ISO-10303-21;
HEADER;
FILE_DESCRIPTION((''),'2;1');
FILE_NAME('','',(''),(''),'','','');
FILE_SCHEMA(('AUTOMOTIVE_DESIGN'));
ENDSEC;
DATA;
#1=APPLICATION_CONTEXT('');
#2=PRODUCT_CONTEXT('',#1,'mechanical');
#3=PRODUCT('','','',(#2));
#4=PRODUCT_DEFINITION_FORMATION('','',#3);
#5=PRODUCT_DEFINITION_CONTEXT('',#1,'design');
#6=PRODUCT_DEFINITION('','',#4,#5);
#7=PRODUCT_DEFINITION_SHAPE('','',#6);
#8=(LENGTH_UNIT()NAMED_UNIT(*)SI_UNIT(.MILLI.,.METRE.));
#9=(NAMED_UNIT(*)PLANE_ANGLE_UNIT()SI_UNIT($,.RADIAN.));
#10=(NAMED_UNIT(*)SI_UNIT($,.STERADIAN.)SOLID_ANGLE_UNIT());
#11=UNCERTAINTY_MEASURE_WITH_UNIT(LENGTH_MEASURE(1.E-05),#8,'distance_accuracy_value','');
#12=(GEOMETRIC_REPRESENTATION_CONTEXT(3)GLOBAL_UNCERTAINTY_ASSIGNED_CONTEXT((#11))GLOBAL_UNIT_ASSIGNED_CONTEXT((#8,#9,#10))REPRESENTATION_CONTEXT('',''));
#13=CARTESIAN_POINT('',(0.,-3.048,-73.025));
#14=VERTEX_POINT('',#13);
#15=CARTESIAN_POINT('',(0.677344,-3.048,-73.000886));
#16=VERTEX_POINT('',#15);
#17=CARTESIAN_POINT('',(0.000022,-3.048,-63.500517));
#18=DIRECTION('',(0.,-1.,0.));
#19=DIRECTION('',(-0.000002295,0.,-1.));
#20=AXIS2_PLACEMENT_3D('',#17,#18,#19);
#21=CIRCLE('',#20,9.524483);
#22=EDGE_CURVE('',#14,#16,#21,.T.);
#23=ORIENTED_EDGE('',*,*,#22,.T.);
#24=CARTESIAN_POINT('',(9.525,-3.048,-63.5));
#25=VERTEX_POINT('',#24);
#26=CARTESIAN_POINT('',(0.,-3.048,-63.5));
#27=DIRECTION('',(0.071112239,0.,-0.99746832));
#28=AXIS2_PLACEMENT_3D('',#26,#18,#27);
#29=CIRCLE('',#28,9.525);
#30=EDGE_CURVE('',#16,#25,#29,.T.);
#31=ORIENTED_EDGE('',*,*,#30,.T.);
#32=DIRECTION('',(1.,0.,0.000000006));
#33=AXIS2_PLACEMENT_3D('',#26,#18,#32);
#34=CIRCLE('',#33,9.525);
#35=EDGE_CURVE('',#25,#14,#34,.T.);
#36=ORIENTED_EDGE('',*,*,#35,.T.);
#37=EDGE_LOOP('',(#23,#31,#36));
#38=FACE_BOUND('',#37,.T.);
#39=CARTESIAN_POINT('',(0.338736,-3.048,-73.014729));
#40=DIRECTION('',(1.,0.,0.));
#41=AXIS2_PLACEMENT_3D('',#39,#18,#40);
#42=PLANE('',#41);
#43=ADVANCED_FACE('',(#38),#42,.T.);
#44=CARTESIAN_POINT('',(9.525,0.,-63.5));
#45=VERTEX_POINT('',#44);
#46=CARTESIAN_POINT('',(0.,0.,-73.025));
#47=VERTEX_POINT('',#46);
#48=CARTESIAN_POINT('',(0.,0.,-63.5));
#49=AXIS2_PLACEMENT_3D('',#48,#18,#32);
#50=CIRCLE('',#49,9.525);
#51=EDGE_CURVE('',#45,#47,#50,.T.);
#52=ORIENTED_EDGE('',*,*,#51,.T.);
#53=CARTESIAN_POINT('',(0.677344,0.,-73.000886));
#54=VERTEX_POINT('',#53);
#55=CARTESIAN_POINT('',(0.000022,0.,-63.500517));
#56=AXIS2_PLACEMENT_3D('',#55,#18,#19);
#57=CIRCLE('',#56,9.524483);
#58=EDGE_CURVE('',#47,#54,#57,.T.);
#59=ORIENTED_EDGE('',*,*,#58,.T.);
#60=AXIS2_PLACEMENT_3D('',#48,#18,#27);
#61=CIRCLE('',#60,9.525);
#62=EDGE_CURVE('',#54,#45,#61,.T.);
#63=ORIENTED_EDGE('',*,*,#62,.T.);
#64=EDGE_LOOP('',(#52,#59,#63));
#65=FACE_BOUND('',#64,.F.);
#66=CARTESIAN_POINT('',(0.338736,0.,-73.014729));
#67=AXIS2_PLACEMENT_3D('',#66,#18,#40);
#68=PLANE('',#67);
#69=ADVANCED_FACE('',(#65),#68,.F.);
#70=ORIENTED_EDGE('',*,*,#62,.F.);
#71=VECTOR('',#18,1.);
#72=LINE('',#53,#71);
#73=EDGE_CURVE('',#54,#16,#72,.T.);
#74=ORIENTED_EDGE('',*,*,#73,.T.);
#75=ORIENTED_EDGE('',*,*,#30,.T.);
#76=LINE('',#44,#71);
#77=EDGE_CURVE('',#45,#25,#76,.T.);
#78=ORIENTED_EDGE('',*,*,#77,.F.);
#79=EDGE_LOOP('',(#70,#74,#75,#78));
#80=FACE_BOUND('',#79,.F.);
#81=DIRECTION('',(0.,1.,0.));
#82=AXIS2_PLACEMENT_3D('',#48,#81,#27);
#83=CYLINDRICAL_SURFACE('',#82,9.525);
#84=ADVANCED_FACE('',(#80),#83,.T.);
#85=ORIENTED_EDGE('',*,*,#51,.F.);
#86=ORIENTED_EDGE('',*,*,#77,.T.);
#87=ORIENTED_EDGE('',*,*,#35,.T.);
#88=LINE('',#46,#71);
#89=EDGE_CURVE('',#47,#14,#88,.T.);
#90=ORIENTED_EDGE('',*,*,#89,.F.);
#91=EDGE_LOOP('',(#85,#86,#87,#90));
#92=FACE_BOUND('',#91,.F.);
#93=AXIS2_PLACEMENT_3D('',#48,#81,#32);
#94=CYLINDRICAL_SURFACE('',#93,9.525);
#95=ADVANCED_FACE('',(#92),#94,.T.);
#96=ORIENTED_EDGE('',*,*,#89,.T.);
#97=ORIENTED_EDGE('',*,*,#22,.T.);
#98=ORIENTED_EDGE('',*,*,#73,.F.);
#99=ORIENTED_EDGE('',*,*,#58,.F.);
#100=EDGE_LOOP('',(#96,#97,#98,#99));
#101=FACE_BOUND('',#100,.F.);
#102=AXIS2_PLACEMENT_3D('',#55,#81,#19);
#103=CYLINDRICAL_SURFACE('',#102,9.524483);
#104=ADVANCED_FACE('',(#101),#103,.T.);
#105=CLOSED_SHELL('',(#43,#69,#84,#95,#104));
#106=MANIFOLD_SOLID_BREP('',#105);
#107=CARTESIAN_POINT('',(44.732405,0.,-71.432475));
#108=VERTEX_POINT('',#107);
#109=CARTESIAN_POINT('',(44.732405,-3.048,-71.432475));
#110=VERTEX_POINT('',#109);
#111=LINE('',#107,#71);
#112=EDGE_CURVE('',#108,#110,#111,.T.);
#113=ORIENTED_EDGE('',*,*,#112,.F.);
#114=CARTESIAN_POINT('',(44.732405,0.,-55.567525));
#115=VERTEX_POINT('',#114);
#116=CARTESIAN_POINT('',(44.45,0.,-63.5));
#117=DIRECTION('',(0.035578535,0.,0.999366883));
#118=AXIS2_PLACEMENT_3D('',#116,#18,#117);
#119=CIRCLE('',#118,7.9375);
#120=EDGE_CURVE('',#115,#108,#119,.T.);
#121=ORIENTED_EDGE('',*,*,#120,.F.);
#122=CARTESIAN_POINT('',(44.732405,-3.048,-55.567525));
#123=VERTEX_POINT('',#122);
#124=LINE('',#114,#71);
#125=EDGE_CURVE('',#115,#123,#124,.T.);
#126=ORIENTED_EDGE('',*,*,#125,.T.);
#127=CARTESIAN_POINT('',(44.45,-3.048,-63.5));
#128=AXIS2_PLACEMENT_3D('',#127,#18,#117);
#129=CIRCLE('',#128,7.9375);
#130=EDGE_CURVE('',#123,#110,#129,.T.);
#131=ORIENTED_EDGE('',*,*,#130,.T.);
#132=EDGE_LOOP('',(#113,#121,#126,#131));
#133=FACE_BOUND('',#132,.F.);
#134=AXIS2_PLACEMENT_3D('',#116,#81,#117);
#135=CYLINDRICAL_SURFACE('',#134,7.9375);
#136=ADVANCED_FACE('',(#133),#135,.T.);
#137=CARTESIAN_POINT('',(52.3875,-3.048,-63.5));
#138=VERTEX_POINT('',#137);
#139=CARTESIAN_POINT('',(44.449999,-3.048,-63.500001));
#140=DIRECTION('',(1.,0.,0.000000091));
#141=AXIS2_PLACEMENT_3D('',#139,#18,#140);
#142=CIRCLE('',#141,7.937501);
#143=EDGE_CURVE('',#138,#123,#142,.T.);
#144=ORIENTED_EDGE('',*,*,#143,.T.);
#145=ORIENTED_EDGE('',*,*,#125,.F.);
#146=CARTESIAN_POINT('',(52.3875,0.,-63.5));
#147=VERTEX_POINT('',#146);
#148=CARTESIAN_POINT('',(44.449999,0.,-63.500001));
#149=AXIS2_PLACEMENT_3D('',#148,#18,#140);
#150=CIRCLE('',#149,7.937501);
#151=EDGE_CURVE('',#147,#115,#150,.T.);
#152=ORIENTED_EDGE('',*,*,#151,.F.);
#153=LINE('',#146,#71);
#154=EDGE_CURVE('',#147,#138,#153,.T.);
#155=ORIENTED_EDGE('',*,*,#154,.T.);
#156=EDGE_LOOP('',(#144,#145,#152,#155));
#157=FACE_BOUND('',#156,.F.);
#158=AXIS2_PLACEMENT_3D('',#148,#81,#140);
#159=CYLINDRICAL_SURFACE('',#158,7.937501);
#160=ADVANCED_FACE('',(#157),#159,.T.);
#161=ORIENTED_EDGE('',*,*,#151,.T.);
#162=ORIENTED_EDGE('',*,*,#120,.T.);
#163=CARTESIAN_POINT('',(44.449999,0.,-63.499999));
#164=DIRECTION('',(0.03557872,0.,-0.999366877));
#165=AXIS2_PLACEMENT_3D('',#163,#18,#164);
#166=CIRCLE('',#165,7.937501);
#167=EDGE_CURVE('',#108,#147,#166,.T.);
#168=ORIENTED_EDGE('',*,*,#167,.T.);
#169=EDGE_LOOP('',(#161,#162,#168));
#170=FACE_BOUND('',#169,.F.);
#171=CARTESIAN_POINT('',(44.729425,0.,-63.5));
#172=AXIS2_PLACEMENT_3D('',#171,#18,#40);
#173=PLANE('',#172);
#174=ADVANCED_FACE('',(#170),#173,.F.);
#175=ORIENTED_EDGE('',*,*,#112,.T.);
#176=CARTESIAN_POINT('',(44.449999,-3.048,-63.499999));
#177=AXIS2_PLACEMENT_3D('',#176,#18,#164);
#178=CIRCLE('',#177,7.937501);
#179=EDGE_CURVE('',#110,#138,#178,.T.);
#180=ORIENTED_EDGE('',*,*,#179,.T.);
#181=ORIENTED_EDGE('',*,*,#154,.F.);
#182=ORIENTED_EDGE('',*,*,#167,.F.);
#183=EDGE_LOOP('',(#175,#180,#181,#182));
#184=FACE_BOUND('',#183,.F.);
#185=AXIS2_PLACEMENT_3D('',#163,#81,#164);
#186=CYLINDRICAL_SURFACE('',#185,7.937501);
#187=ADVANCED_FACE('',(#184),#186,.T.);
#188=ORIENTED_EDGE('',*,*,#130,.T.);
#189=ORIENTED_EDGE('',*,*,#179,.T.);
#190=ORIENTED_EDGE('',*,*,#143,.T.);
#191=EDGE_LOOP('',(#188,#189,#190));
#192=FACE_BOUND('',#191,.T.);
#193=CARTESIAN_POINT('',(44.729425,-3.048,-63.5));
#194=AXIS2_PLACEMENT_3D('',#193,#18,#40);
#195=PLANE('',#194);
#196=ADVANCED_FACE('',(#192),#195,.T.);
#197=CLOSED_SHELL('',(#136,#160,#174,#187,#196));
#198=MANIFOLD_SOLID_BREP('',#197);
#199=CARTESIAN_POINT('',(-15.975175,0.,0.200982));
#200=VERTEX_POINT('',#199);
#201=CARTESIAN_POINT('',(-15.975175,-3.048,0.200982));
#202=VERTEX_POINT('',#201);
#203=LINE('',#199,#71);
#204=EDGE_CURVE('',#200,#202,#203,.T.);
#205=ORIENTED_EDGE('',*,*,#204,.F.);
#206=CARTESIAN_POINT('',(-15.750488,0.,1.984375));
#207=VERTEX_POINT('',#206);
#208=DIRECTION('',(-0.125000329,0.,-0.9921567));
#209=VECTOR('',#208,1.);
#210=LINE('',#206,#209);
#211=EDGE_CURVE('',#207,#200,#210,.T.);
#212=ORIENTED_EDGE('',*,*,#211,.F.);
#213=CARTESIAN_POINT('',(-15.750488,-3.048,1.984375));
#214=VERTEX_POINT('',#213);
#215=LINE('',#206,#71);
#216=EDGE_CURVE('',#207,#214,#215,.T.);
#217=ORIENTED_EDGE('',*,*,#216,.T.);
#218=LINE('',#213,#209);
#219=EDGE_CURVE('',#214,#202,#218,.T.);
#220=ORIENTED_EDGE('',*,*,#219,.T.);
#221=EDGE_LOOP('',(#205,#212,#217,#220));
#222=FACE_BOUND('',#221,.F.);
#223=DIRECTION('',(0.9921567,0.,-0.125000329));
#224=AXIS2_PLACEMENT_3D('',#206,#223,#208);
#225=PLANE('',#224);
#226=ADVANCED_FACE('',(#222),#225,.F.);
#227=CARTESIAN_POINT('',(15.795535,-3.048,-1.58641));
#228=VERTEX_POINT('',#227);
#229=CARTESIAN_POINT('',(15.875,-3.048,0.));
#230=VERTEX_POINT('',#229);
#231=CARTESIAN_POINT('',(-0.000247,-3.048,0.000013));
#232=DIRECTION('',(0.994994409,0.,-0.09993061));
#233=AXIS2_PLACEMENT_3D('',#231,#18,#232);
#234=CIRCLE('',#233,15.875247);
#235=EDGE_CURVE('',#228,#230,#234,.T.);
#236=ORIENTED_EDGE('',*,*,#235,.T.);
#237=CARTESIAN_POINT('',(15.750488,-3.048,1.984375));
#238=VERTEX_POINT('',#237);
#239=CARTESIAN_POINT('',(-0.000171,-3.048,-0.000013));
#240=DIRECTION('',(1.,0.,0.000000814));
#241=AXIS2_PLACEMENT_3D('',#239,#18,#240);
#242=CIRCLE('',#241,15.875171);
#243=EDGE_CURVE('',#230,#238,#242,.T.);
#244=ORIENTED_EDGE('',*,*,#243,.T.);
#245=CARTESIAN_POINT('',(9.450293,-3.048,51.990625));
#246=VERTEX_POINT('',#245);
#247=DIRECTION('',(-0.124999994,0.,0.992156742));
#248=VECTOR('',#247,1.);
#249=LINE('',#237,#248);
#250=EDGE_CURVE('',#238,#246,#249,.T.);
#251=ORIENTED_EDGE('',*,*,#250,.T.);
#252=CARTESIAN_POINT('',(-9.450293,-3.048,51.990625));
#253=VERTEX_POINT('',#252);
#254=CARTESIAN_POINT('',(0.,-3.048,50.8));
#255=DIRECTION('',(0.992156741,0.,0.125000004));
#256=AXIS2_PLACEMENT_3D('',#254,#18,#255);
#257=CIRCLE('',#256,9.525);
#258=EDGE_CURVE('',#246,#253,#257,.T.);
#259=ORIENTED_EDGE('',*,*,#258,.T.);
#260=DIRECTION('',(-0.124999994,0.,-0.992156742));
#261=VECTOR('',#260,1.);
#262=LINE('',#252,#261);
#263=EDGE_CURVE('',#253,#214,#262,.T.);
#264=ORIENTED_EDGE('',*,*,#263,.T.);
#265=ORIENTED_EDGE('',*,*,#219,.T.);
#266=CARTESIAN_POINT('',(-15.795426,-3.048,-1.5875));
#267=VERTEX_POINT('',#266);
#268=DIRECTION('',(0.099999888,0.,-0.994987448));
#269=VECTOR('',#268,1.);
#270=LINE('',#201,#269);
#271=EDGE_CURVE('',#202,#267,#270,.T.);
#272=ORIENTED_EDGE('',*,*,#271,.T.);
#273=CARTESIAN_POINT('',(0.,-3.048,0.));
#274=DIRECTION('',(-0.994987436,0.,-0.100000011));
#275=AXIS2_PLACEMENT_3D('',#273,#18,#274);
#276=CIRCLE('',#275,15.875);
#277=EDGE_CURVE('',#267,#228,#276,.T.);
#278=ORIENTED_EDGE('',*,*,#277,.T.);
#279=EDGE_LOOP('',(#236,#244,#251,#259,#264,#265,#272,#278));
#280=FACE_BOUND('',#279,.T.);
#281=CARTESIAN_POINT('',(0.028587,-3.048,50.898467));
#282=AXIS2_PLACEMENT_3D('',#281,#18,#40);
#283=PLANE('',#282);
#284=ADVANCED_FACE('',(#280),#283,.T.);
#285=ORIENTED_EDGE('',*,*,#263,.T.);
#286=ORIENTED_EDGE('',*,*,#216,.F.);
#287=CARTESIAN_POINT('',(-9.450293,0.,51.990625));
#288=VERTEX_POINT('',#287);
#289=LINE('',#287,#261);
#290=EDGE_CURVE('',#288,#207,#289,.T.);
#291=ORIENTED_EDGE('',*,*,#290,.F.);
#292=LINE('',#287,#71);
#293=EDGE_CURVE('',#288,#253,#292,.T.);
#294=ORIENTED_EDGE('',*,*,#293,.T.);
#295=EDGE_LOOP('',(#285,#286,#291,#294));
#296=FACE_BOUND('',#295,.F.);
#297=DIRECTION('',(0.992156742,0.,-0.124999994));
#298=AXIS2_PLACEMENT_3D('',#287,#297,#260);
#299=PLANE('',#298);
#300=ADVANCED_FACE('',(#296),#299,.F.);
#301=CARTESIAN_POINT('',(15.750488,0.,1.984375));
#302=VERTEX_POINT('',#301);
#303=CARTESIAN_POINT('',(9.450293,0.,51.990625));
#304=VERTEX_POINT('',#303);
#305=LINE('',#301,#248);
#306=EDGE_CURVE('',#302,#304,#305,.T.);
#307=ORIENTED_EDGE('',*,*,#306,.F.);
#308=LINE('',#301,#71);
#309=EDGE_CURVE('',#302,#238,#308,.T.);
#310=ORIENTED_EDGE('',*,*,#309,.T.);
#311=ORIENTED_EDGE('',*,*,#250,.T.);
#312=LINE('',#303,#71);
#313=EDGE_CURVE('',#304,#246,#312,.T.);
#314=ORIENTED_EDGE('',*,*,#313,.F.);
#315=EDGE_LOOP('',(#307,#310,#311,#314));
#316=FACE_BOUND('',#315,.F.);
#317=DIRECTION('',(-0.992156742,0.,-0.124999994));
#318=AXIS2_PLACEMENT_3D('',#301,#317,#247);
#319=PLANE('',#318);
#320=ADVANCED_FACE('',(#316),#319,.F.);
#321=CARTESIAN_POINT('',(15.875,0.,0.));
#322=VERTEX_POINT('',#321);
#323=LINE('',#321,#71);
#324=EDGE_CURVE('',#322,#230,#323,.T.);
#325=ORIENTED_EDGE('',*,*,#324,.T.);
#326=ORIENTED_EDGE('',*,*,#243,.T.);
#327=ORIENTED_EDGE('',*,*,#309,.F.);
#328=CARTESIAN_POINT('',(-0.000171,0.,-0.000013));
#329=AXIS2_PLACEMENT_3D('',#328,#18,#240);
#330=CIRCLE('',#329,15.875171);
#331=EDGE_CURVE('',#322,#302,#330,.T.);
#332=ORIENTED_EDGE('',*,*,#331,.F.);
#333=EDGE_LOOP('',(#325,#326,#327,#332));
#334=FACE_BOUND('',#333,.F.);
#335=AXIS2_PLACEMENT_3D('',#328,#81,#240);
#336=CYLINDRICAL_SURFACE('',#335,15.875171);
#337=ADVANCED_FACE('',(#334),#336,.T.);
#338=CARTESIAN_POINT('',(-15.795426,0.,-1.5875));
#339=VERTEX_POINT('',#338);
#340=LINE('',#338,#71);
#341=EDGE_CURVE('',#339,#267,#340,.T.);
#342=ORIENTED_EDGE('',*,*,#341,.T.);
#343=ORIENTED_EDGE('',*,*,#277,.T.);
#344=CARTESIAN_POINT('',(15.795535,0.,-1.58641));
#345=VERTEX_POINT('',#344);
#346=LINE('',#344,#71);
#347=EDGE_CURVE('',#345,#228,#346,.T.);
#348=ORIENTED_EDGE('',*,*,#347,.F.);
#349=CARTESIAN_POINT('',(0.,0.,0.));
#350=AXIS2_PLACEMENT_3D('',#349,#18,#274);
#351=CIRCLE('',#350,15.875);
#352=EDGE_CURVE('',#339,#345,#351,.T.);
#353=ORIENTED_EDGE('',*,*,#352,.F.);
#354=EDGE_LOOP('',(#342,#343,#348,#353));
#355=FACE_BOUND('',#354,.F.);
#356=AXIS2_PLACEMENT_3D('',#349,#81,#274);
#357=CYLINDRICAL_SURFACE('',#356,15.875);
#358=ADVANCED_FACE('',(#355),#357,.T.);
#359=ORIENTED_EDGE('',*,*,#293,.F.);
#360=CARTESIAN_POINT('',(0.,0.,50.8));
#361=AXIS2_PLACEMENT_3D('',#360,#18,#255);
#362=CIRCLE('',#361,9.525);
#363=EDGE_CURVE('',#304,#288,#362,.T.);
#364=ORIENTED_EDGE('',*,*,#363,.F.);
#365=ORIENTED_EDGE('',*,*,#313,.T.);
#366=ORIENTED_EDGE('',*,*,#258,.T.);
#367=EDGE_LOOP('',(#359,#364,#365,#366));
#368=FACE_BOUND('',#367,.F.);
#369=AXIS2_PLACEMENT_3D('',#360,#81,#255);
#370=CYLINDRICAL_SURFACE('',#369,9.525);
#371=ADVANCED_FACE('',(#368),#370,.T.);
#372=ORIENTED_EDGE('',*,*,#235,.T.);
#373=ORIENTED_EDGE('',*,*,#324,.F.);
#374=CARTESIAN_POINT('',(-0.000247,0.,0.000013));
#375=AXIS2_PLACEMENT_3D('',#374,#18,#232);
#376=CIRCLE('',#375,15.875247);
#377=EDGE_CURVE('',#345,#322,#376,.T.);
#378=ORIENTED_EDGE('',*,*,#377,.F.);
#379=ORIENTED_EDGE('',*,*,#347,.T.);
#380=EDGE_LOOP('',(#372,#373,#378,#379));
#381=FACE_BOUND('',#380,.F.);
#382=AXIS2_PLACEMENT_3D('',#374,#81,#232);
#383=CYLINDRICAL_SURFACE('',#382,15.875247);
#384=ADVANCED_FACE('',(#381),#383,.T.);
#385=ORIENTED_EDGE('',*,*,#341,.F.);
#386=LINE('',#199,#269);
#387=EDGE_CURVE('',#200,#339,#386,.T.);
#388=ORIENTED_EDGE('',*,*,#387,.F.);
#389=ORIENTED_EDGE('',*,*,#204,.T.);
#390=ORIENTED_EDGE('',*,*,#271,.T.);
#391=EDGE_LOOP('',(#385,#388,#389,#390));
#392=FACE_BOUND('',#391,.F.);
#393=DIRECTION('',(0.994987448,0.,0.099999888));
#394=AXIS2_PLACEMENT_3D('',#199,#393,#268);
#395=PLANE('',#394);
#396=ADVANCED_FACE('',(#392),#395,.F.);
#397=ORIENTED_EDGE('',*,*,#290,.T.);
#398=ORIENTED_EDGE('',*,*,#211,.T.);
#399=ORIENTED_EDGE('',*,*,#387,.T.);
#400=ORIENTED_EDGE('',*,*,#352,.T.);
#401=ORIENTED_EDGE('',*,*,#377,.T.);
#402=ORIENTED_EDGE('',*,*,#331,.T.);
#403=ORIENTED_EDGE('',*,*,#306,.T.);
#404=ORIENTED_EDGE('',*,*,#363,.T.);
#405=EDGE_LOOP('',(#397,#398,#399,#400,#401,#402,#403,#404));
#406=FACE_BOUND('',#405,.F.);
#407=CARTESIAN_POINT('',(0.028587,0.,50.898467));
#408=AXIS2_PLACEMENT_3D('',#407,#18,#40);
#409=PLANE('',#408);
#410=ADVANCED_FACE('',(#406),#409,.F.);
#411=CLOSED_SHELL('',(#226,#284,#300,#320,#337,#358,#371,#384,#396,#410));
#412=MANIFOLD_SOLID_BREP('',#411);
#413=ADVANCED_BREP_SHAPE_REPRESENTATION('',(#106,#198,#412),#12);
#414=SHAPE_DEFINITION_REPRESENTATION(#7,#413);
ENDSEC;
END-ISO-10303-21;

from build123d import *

# Parameters (mm, degrees)
F0_R     = 4.391456
F0_R_2   = 3.038562
F0_R_3   = 4.328218
F1_DEPTH = 3.048


with BuildPart() as f1:
    # F0 (on Front) → F1 (new body)
    with BuildSketch(Plane.XZ):
        with BuildLine():
            ThreePointArc((-9.450293, 51.990625), (-0.596483, 41.293695), (9.525, 50.8))
            ThreePointArc((9.525, 50.8), (9.506305, 51.396483), (9.450293, 51.990625))
            ThreePointArc((9.450293, 51.990625), (0, 60.325), (-9.450293, 51.990625))
        make_face()
        with Locations((0, 50.8)):
            Circle(F0_R, mode=Mode.SUBTRACT)
        with BuildLine():
            ThreePointArc((9.450293, 51.990625), (9.506305, 51.396483), (9.525, 50.8))
            ThreePointArc((9.525, 50.8), (-0.596483, 41.293695), (-9.450293, 51.990625))
            Line((-9.450293, 51.990625), (-15.750488, 1.984375))
            ThreePointArc((-15.750488, 1.984375), (0, 15.875), (15.750488, 1.984375))
            Line((15.750488, 1.984375), (9.450293, 51.990625))
        make_face()
        with Locations((-0.136438, 36.5252)):
            Circle(F0_R_2, mode=Mode.SUBTRACT)
        with BuildLine():
            ThreePointArc((0, -73.025), (0.338886, -73.01897), (0.677344, -73.000886))
            Line((0.677344, -73.000886), (0, -73.025))
        make_face()
        with BuildLine():
            Line((0, -73.025), (0.677344, -73.000886))
            ThreePointArc((0.677344, -73.000886), (6.970557, -69.991299), (9.525, -63.5))
            ThreePointArc((9.525, -63.5), (-6.735192, -56.764808), (0, -73.025))
        make_face()
        with Locations((0, -63.5)):
            Circle(F0_R_3, mode=Mode.SUBTRACT)
        with BuildLine():
            ThreePointArc((52.3875, -63.5), (50.161633, -57.98809), (44.732405, -55.567525))
            ThreePointArc((44.732405, -55.567525), (36.5125, -63.5), (44.732405, -71.432475))
            ThreePointArc((44.732405, -71.432475), (50.161633, -69.01191), (52.3875, -63.5))
        make_face()
        with Locations((44.45, -63.5)):
            Circle(F0_R_3, mode=Mode.SUBTRACT)
        with BuildLine():
            ThreePointArc((15.875, 0), (15.843841, 0.994139), (15.750488, 1.984375))
            ThreePointArc((15.750488, 1.984375), (0, 15.875), (-15.750488, 1.984375))
            ThreePointArc((-15.750488, 1.984375), (-15.873744, 0.199705), (-15.795426, -1.5875))
            ThreePointArc((-15.795426, -1.5875), (0.000548, -15.875), (15.795535, -1.58641))
            ThreePointArc((15.795535, -1.58641), (15.855121, -0.794199), (15.875, 0))
        make_face()
        Circle(F0_R, mode=Mode.SUBTRACT)
        with BuildLine():
            ThreePointArc((-15.795426, -1.5875), (-15.873744, 0.199705), (-15.750488, 1.984375))
            Line((-15.750488, 1.984375), (-15.975175, 0.200982))
            Line((-15.975175, 0.200982), (-15.795426, -1.5875))
        make_face()
        with Locations((0, 50.8)):
            Circle(F0_R)
        Circle(F0_R)
        with Locations((0, -63.5)):
            Circle(F0_R_3)
        with Locations((44.45, -63.5)):
            Circle(F0_R_3)
        with Locations((-0.136438, 36.5252)):
            Circle(F0_R_2)
    extrude(amount=F1_DEPTH)


solid = f1.part
